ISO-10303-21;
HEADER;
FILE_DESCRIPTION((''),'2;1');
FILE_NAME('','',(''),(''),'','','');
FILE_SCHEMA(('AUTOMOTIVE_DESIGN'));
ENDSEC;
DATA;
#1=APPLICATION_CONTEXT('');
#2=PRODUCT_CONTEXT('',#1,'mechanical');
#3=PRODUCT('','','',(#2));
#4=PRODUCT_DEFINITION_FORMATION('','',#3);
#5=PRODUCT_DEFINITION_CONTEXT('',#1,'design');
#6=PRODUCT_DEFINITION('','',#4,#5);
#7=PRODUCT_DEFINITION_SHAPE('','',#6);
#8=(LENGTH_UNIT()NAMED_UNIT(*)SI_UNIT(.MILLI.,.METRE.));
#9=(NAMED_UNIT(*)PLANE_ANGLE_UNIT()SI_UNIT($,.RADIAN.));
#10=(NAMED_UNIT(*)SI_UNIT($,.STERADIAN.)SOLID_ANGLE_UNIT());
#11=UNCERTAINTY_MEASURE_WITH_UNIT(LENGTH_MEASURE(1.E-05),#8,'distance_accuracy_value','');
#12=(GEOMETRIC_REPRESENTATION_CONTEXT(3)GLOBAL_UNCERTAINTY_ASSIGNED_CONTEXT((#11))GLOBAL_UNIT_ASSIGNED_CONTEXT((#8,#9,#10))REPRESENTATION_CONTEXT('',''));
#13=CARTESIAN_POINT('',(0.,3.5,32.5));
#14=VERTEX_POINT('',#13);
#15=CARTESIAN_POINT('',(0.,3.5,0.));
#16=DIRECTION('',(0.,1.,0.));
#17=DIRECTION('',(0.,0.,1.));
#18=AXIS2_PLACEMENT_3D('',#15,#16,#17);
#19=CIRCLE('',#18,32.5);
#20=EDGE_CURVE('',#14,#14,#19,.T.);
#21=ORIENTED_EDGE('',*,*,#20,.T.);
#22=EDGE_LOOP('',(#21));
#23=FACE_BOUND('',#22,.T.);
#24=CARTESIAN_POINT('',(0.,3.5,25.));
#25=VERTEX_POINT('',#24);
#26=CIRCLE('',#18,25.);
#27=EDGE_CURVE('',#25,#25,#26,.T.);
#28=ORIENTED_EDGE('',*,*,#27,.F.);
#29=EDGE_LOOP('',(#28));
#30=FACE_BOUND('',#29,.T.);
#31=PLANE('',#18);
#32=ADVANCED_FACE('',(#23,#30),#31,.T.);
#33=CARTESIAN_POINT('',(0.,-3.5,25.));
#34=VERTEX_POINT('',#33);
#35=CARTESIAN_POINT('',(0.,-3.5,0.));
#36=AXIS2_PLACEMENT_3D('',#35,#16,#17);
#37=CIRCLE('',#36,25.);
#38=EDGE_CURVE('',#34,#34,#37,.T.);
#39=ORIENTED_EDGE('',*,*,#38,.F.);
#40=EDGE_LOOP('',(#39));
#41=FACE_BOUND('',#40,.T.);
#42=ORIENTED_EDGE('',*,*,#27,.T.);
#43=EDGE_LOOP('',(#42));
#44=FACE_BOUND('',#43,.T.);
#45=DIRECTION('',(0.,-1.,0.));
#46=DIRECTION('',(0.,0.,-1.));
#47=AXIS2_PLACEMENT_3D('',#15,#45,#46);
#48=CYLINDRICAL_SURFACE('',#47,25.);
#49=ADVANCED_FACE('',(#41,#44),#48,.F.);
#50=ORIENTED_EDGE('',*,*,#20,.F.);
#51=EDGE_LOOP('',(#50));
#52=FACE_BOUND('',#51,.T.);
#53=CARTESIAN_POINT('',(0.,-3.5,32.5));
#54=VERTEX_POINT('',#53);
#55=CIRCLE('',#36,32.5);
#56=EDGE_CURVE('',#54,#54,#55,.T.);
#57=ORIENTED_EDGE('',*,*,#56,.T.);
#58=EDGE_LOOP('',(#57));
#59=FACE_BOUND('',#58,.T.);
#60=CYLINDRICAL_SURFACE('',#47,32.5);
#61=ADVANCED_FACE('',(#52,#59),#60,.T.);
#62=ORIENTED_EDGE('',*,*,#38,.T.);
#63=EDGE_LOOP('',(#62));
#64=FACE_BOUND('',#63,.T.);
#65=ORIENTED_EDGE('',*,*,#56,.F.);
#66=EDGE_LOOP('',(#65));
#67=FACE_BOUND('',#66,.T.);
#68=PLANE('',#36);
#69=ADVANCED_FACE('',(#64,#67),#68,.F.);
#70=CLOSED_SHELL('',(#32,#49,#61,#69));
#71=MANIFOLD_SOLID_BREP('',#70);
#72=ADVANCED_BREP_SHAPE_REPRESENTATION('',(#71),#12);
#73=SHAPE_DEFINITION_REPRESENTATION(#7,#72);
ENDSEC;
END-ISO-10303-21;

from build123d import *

# Parameters (mm, degrees)
SKETCH1_R           = 32.5
SKETCH1_R_2         = 25
BOSS_EXTRUDE1_DEPTH = 3.5


with BuildPart() as part:
    # Sketch1 → Boss-Extrude1 (new body, symmetric)
    with BuildSketch(Plane(origin=(0, 0, 0), x_dir=(1, 0, 0), z_dir=(0, 1, 0))):
        Circle(SKETCH1_R)
        Circle(SKETCH1_R_2, mode=Mode.SUBTRACT)
    extrude(amount=BOSS_EXTRUDE1_DEPTH, both=True)


solid = part.part
